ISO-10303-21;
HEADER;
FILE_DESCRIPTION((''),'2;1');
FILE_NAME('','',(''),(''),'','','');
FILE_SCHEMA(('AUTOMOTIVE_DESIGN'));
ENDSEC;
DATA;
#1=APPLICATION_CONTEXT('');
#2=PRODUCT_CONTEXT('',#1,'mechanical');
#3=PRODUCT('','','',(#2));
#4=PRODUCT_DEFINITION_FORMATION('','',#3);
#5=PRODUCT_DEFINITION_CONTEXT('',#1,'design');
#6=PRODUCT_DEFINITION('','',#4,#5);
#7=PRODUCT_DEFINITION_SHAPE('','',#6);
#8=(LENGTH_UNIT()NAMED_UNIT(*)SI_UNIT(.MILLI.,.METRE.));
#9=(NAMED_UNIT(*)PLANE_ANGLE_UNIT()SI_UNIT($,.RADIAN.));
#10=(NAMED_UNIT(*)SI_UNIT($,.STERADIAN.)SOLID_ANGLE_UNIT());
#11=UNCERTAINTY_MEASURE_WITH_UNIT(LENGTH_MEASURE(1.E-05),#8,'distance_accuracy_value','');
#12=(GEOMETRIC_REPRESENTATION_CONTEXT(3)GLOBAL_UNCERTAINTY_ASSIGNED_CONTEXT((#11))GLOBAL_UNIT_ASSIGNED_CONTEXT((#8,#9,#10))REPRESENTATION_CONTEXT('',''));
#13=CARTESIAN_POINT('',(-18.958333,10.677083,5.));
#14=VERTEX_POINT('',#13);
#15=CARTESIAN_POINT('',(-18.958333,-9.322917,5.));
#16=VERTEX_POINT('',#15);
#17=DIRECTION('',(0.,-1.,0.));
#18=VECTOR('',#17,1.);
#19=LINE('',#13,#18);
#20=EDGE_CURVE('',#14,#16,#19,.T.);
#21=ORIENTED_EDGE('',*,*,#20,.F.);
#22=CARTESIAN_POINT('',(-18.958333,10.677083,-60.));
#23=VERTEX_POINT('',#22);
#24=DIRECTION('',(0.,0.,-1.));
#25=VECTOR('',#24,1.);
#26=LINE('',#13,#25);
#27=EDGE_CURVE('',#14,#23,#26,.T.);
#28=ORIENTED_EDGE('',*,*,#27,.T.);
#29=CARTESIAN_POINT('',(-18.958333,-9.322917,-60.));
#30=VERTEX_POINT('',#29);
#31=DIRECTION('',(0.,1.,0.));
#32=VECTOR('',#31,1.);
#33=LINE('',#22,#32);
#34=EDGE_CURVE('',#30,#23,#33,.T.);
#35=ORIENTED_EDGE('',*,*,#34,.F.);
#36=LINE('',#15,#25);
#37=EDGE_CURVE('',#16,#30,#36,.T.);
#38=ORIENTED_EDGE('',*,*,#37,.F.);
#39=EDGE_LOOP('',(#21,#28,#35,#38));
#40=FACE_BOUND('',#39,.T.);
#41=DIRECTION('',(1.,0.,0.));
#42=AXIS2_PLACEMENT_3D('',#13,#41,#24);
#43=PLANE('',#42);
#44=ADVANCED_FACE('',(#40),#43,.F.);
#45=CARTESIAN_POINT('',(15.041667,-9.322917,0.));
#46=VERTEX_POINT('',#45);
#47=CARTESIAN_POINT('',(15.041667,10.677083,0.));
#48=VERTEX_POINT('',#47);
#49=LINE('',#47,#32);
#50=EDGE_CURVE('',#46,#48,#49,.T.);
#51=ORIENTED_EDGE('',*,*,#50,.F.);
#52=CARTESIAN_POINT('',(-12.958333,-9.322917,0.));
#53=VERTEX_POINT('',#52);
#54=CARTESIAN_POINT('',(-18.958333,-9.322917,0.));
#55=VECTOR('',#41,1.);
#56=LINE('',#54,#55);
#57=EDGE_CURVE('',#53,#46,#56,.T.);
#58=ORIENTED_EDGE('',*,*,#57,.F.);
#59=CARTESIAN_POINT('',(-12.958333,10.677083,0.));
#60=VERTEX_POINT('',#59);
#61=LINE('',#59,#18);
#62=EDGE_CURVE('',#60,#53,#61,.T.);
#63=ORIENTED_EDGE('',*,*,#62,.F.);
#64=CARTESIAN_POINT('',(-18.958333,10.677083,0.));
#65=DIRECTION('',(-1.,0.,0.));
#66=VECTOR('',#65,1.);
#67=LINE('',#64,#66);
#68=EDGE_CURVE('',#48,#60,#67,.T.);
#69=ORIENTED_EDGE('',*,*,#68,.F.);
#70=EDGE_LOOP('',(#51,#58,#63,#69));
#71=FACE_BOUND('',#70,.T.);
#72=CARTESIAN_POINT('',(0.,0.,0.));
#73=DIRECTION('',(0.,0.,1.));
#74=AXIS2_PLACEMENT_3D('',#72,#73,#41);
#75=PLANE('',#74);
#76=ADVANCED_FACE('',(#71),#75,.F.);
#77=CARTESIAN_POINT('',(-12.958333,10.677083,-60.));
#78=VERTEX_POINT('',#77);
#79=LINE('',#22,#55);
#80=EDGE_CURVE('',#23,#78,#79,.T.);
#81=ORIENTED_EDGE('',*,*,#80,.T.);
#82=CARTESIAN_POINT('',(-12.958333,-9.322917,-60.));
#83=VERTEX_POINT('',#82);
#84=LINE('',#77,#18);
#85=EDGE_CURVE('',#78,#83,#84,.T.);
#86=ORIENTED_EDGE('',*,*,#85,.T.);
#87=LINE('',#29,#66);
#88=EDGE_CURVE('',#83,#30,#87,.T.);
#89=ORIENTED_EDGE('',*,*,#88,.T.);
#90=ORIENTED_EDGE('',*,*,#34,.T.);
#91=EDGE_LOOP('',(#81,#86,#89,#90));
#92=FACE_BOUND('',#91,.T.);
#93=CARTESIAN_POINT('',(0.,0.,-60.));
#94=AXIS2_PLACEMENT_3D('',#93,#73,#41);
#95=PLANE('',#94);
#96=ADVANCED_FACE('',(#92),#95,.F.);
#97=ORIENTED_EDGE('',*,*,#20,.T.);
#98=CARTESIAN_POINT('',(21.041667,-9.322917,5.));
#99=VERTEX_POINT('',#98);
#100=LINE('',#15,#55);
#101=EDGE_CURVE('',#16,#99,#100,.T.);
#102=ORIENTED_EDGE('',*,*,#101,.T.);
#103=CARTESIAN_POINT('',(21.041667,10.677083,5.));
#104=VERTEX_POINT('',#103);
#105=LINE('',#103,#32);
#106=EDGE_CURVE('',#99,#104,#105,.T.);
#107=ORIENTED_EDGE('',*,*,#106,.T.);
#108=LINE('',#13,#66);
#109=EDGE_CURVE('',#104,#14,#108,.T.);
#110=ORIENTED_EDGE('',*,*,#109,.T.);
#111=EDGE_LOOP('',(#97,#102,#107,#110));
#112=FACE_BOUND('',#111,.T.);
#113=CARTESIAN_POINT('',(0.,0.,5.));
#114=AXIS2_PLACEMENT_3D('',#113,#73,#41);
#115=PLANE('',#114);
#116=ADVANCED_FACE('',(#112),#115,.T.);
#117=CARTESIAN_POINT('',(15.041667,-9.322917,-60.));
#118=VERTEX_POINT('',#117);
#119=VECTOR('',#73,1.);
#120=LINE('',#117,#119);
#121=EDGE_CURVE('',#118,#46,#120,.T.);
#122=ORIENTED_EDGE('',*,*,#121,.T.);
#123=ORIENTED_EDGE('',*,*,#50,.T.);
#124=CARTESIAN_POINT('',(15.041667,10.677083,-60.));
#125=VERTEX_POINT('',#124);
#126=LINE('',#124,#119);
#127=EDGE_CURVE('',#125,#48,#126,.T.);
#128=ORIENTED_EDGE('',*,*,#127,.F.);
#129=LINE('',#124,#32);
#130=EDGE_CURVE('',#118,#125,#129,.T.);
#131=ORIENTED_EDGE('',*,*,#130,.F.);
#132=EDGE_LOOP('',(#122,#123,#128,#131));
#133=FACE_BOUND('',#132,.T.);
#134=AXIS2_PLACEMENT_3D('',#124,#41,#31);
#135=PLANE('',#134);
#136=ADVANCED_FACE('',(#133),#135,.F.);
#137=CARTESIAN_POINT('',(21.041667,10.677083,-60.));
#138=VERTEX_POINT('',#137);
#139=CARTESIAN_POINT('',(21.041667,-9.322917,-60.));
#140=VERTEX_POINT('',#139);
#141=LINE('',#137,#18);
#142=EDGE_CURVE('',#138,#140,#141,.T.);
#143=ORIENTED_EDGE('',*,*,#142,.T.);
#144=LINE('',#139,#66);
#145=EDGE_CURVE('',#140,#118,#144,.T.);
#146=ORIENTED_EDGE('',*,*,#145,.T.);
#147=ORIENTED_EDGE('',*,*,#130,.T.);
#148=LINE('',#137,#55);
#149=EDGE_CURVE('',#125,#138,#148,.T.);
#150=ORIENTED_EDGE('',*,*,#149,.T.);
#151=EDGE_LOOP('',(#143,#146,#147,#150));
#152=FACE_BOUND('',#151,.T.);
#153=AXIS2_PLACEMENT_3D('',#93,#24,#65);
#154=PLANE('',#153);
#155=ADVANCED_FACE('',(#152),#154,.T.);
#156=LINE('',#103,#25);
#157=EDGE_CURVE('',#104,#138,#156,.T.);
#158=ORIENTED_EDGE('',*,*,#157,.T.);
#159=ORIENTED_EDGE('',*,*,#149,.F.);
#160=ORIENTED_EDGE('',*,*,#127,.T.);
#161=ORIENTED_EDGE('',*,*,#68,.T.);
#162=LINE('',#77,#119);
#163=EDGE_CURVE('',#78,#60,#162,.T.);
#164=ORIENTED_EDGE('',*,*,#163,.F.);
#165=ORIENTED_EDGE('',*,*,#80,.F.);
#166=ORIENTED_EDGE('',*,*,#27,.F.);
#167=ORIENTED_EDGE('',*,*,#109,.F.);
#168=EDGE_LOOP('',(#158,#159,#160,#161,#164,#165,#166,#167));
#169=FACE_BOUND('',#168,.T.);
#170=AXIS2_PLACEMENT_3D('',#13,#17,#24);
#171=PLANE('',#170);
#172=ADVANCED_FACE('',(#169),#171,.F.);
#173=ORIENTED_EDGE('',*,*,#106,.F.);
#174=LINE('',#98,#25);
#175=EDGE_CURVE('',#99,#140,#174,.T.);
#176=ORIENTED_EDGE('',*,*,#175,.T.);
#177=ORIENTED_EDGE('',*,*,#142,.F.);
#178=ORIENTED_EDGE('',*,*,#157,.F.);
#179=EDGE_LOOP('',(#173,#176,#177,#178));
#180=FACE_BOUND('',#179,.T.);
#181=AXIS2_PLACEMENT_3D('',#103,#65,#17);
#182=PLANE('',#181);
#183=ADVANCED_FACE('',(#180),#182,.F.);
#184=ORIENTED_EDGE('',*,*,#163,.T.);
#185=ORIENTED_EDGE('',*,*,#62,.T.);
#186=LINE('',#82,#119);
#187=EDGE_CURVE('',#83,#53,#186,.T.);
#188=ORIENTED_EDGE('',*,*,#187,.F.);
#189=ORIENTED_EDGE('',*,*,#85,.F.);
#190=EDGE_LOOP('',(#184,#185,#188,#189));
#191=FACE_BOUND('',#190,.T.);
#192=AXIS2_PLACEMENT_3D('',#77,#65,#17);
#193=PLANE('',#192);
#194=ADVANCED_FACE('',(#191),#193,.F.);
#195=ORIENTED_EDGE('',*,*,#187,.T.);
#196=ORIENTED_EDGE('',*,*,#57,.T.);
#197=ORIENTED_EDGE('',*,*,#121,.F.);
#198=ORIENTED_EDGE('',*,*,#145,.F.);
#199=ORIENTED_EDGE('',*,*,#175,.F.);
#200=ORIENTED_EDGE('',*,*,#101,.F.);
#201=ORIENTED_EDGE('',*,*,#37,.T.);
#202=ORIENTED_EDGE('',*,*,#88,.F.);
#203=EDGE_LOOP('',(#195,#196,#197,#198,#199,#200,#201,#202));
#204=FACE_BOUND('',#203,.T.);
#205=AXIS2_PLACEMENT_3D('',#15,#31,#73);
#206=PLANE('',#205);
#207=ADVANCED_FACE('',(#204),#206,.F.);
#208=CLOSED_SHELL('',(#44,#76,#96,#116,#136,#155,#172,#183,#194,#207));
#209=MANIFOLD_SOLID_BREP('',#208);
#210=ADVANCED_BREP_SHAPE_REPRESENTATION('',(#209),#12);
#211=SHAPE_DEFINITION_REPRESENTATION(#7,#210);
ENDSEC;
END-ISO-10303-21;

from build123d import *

# Parameters (mm, degrees)
SKETCH1_W           = 40
SKETCH1_H           = 20
BOSS_EXTRUDE1_DEPTH = 5
SKETCH2_W           = 6
SKETCH2_H           = 20
BOSS_EXTRUDE2_DEPTH = 60


with BuildPart() as part:
    # Sketch1 → Boss-Extrude1 (new body)
    with BuildSketch(Plane.XY):
        with Locations((1.041666667, 0.677083333)):
            Rectangle(SKETCH1_W, SKETCH1_H)
    extrude(amount=BOSS_EXTRUDE1_DEPTH)

    # Sketch2 → Boss-Extrude2 (add)
    with BuildSketch(Plane(origin=(0, 0, 0), x_dir=(-1, 0, 0), z_dir=(0, 0, -1))):
        with Locations((-18.041666667, 0.677083333)):
            Rectangle(SKETCH2_W, SKETCH2_H)
        with Locations((15.958333333, 0.677083333)):
            Rectangle(SKETCH2_W, SKETCH2_H)
    extrude(amount=BOSS_EXTRUDE2_DEPTH)


solid = part.part
